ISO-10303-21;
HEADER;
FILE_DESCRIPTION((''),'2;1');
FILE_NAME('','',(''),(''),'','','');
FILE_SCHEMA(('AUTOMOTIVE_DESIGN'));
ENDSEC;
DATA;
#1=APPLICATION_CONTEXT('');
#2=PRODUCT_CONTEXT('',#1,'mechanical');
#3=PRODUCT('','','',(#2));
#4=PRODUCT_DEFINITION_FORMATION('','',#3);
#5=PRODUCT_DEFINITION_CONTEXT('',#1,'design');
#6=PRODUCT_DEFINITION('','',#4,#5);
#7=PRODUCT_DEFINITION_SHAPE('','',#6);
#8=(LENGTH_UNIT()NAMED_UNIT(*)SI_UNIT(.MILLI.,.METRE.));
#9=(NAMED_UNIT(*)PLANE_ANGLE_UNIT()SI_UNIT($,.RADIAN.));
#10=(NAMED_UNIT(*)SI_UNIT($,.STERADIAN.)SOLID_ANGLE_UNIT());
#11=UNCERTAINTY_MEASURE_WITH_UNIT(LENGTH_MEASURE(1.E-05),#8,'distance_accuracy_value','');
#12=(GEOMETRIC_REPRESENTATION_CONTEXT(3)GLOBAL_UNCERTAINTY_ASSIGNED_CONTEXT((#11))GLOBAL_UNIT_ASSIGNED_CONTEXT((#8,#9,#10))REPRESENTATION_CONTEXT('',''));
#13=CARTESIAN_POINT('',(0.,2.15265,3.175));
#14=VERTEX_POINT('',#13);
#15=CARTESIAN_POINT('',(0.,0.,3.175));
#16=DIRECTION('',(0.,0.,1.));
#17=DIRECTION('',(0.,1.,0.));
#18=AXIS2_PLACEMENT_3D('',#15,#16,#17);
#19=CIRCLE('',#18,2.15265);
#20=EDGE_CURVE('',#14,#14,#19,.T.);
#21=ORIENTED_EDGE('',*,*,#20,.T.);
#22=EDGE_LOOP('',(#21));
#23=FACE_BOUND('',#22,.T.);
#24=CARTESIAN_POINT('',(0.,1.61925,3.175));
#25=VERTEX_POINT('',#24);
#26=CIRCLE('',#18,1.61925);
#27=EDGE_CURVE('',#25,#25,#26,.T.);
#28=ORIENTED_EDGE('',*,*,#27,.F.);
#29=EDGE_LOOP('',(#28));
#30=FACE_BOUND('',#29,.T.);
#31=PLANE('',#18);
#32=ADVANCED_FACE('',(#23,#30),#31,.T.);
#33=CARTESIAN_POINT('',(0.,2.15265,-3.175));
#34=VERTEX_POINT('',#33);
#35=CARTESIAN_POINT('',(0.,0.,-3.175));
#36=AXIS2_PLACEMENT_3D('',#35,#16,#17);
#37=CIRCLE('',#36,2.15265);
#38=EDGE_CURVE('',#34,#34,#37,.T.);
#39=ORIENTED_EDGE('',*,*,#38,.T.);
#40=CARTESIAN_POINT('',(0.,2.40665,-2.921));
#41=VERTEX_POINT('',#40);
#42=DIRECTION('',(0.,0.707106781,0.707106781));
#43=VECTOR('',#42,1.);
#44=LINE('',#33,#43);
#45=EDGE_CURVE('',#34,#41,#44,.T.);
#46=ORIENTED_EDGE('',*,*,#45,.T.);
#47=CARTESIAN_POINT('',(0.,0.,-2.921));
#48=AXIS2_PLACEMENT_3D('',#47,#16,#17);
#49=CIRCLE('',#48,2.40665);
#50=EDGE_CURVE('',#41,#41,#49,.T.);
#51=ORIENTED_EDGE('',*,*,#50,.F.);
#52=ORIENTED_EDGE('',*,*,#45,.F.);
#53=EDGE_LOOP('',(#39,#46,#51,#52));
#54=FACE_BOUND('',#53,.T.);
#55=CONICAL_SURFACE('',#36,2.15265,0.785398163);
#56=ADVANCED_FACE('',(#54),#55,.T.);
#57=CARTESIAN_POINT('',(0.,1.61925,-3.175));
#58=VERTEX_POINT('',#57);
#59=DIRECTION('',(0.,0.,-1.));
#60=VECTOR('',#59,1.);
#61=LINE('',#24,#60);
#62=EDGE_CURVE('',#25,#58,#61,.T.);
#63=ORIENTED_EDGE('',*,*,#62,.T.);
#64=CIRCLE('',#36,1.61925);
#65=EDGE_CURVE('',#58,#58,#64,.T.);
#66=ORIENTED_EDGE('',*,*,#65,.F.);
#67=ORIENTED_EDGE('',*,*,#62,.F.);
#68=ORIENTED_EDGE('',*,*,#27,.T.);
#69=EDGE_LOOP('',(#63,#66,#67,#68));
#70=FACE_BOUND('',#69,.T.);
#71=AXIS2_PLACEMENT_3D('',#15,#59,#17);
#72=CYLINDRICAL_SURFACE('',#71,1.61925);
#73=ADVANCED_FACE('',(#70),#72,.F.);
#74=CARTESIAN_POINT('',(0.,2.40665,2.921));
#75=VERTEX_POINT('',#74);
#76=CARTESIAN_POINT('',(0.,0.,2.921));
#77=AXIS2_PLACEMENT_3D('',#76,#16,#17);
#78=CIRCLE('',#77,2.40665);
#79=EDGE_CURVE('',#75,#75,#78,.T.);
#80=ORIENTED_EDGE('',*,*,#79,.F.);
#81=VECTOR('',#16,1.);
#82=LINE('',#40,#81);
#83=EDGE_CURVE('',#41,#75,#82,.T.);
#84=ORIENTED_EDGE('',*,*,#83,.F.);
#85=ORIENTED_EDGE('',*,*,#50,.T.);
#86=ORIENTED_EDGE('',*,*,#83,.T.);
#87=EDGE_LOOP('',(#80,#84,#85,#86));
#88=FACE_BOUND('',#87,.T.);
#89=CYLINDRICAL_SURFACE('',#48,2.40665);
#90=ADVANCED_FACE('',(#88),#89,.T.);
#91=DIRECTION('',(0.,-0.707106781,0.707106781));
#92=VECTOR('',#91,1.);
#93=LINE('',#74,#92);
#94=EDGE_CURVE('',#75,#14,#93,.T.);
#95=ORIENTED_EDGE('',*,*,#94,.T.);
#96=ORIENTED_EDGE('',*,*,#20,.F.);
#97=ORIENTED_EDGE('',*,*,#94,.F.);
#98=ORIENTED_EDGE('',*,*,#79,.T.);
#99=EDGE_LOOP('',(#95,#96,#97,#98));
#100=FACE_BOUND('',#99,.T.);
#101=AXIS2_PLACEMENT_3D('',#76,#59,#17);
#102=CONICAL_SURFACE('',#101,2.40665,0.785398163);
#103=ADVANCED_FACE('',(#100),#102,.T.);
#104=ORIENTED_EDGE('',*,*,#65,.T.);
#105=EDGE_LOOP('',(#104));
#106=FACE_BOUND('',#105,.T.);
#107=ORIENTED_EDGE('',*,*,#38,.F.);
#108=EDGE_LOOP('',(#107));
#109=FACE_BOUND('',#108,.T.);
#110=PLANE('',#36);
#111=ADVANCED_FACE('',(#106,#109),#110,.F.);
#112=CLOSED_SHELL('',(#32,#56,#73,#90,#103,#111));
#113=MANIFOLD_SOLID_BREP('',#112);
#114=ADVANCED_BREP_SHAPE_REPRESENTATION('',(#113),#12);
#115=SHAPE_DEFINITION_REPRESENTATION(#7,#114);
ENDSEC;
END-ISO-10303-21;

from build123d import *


with BuildPart() as part:
    # Sketch1 → Revolve1 (revolve)
    with BuildSketch(Plane(origin=(0, 0, 0), x_dir=(0, 0, -1), z_dir=(1, 0, 0))):
        Polygon((-3.175, 1.61925), (3.175, 1.61925), (3.175, 2.15265), (2.921, 2.40665), (-2.921, 2.40665), (-3.175, 2.15265), align=None)
    revolve(axis=Axis((0, 0, -3.175), (0, 0, 1)))


solid = part.part
